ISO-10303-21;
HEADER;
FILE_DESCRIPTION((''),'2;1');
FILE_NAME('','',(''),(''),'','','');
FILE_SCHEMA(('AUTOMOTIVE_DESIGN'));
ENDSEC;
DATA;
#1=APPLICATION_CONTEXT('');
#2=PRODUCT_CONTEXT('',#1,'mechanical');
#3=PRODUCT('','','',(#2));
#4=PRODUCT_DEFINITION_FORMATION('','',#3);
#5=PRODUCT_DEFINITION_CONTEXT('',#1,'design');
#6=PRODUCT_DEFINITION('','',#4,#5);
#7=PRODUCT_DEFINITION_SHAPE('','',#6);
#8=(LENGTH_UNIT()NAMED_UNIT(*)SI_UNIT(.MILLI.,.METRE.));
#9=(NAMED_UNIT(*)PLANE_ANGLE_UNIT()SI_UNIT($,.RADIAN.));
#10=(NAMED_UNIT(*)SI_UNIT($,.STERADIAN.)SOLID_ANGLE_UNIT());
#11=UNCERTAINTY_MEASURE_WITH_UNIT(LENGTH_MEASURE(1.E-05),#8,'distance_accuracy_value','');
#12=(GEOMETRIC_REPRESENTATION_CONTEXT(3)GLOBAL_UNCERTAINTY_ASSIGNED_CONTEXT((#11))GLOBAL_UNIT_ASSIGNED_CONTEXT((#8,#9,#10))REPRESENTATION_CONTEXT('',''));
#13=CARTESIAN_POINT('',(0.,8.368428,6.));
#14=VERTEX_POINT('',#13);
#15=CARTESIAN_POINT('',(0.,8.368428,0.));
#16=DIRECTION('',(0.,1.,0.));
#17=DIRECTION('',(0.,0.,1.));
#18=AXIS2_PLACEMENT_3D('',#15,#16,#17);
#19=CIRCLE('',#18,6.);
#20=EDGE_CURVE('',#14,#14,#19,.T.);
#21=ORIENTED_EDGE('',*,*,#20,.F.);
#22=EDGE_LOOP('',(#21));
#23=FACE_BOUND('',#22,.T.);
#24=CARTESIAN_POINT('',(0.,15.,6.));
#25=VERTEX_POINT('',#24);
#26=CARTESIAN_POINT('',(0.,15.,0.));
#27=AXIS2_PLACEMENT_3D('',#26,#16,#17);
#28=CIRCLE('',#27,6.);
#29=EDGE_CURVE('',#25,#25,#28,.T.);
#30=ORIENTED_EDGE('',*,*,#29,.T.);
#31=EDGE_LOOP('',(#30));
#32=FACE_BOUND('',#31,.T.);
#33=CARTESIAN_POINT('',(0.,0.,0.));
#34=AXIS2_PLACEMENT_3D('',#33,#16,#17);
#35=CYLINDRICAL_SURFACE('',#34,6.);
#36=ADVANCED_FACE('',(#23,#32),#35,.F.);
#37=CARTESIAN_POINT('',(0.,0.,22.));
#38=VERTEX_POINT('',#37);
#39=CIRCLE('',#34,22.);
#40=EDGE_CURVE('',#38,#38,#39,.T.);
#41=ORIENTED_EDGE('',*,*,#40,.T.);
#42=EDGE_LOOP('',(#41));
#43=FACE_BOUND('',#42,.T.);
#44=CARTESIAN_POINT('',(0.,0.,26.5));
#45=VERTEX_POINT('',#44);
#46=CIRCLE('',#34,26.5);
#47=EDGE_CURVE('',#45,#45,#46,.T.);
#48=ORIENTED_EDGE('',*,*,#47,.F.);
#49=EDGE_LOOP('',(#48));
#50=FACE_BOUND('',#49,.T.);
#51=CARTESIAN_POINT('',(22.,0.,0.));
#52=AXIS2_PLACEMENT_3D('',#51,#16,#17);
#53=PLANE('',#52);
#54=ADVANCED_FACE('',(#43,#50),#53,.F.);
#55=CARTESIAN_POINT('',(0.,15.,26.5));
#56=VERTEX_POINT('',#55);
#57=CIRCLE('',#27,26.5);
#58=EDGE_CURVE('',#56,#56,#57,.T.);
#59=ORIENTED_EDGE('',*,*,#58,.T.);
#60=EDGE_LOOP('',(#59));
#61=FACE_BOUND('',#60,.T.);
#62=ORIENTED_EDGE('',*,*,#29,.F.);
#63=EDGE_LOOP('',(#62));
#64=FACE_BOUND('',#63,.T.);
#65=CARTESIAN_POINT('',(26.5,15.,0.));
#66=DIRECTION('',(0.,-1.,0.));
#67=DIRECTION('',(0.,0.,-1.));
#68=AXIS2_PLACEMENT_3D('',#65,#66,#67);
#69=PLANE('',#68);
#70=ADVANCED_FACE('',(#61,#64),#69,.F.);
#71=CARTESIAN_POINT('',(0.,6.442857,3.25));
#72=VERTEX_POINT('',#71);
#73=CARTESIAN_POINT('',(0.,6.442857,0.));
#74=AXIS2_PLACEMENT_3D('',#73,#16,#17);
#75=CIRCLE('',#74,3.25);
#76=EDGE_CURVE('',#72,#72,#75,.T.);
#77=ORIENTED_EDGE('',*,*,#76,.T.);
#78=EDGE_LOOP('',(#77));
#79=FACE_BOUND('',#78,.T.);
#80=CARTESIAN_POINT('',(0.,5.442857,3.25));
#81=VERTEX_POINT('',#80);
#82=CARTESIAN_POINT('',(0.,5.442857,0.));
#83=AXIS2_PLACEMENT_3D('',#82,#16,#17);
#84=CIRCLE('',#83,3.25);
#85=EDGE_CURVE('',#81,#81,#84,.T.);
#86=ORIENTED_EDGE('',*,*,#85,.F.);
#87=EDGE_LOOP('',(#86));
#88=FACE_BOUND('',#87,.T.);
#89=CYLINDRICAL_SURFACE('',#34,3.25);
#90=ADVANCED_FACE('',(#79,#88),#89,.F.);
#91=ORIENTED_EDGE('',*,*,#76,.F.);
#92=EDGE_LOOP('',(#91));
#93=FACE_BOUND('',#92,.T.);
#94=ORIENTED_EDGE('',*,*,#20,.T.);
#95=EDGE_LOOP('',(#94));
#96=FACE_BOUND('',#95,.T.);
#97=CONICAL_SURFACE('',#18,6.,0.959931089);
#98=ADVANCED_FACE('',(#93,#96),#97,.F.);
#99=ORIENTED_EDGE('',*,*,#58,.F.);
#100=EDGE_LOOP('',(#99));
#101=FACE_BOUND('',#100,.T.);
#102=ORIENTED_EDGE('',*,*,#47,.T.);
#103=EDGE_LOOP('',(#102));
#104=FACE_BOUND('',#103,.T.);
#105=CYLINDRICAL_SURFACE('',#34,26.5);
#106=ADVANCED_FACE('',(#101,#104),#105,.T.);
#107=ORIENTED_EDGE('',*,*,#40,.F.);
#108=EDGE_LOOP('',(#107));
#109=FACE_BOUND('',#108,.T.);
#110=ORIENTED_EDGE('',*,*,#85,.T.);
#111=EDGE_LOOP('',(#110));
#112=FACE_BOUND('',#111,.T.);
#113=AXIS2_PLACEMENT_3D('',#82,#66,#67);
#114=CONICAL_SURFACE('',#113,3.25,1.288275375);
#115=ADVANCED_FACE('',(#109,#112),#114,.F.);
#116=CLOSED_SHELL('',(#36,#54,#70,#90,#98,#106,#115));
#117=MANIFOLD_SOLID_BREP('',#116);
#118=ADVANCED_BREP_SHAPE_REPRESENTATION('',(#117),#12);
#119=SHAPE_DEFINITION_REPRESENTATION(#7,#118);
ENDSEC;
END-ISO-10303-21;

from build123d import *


with BuildPart() as part:
    # Sketch3 → Revolve1 (revolve)
    with BuildSketch(Plane.XY):
        Polygon((3.25, 6.442857143), (6, 8.368427873), (6, 15), (26.5, 15), (26.5, 0), (22, 0), (3.25, 5.442857143), align=None)
    revolve(axis=Axis((0, 0, 0), (0, -1, 0)))


solid = part.part
